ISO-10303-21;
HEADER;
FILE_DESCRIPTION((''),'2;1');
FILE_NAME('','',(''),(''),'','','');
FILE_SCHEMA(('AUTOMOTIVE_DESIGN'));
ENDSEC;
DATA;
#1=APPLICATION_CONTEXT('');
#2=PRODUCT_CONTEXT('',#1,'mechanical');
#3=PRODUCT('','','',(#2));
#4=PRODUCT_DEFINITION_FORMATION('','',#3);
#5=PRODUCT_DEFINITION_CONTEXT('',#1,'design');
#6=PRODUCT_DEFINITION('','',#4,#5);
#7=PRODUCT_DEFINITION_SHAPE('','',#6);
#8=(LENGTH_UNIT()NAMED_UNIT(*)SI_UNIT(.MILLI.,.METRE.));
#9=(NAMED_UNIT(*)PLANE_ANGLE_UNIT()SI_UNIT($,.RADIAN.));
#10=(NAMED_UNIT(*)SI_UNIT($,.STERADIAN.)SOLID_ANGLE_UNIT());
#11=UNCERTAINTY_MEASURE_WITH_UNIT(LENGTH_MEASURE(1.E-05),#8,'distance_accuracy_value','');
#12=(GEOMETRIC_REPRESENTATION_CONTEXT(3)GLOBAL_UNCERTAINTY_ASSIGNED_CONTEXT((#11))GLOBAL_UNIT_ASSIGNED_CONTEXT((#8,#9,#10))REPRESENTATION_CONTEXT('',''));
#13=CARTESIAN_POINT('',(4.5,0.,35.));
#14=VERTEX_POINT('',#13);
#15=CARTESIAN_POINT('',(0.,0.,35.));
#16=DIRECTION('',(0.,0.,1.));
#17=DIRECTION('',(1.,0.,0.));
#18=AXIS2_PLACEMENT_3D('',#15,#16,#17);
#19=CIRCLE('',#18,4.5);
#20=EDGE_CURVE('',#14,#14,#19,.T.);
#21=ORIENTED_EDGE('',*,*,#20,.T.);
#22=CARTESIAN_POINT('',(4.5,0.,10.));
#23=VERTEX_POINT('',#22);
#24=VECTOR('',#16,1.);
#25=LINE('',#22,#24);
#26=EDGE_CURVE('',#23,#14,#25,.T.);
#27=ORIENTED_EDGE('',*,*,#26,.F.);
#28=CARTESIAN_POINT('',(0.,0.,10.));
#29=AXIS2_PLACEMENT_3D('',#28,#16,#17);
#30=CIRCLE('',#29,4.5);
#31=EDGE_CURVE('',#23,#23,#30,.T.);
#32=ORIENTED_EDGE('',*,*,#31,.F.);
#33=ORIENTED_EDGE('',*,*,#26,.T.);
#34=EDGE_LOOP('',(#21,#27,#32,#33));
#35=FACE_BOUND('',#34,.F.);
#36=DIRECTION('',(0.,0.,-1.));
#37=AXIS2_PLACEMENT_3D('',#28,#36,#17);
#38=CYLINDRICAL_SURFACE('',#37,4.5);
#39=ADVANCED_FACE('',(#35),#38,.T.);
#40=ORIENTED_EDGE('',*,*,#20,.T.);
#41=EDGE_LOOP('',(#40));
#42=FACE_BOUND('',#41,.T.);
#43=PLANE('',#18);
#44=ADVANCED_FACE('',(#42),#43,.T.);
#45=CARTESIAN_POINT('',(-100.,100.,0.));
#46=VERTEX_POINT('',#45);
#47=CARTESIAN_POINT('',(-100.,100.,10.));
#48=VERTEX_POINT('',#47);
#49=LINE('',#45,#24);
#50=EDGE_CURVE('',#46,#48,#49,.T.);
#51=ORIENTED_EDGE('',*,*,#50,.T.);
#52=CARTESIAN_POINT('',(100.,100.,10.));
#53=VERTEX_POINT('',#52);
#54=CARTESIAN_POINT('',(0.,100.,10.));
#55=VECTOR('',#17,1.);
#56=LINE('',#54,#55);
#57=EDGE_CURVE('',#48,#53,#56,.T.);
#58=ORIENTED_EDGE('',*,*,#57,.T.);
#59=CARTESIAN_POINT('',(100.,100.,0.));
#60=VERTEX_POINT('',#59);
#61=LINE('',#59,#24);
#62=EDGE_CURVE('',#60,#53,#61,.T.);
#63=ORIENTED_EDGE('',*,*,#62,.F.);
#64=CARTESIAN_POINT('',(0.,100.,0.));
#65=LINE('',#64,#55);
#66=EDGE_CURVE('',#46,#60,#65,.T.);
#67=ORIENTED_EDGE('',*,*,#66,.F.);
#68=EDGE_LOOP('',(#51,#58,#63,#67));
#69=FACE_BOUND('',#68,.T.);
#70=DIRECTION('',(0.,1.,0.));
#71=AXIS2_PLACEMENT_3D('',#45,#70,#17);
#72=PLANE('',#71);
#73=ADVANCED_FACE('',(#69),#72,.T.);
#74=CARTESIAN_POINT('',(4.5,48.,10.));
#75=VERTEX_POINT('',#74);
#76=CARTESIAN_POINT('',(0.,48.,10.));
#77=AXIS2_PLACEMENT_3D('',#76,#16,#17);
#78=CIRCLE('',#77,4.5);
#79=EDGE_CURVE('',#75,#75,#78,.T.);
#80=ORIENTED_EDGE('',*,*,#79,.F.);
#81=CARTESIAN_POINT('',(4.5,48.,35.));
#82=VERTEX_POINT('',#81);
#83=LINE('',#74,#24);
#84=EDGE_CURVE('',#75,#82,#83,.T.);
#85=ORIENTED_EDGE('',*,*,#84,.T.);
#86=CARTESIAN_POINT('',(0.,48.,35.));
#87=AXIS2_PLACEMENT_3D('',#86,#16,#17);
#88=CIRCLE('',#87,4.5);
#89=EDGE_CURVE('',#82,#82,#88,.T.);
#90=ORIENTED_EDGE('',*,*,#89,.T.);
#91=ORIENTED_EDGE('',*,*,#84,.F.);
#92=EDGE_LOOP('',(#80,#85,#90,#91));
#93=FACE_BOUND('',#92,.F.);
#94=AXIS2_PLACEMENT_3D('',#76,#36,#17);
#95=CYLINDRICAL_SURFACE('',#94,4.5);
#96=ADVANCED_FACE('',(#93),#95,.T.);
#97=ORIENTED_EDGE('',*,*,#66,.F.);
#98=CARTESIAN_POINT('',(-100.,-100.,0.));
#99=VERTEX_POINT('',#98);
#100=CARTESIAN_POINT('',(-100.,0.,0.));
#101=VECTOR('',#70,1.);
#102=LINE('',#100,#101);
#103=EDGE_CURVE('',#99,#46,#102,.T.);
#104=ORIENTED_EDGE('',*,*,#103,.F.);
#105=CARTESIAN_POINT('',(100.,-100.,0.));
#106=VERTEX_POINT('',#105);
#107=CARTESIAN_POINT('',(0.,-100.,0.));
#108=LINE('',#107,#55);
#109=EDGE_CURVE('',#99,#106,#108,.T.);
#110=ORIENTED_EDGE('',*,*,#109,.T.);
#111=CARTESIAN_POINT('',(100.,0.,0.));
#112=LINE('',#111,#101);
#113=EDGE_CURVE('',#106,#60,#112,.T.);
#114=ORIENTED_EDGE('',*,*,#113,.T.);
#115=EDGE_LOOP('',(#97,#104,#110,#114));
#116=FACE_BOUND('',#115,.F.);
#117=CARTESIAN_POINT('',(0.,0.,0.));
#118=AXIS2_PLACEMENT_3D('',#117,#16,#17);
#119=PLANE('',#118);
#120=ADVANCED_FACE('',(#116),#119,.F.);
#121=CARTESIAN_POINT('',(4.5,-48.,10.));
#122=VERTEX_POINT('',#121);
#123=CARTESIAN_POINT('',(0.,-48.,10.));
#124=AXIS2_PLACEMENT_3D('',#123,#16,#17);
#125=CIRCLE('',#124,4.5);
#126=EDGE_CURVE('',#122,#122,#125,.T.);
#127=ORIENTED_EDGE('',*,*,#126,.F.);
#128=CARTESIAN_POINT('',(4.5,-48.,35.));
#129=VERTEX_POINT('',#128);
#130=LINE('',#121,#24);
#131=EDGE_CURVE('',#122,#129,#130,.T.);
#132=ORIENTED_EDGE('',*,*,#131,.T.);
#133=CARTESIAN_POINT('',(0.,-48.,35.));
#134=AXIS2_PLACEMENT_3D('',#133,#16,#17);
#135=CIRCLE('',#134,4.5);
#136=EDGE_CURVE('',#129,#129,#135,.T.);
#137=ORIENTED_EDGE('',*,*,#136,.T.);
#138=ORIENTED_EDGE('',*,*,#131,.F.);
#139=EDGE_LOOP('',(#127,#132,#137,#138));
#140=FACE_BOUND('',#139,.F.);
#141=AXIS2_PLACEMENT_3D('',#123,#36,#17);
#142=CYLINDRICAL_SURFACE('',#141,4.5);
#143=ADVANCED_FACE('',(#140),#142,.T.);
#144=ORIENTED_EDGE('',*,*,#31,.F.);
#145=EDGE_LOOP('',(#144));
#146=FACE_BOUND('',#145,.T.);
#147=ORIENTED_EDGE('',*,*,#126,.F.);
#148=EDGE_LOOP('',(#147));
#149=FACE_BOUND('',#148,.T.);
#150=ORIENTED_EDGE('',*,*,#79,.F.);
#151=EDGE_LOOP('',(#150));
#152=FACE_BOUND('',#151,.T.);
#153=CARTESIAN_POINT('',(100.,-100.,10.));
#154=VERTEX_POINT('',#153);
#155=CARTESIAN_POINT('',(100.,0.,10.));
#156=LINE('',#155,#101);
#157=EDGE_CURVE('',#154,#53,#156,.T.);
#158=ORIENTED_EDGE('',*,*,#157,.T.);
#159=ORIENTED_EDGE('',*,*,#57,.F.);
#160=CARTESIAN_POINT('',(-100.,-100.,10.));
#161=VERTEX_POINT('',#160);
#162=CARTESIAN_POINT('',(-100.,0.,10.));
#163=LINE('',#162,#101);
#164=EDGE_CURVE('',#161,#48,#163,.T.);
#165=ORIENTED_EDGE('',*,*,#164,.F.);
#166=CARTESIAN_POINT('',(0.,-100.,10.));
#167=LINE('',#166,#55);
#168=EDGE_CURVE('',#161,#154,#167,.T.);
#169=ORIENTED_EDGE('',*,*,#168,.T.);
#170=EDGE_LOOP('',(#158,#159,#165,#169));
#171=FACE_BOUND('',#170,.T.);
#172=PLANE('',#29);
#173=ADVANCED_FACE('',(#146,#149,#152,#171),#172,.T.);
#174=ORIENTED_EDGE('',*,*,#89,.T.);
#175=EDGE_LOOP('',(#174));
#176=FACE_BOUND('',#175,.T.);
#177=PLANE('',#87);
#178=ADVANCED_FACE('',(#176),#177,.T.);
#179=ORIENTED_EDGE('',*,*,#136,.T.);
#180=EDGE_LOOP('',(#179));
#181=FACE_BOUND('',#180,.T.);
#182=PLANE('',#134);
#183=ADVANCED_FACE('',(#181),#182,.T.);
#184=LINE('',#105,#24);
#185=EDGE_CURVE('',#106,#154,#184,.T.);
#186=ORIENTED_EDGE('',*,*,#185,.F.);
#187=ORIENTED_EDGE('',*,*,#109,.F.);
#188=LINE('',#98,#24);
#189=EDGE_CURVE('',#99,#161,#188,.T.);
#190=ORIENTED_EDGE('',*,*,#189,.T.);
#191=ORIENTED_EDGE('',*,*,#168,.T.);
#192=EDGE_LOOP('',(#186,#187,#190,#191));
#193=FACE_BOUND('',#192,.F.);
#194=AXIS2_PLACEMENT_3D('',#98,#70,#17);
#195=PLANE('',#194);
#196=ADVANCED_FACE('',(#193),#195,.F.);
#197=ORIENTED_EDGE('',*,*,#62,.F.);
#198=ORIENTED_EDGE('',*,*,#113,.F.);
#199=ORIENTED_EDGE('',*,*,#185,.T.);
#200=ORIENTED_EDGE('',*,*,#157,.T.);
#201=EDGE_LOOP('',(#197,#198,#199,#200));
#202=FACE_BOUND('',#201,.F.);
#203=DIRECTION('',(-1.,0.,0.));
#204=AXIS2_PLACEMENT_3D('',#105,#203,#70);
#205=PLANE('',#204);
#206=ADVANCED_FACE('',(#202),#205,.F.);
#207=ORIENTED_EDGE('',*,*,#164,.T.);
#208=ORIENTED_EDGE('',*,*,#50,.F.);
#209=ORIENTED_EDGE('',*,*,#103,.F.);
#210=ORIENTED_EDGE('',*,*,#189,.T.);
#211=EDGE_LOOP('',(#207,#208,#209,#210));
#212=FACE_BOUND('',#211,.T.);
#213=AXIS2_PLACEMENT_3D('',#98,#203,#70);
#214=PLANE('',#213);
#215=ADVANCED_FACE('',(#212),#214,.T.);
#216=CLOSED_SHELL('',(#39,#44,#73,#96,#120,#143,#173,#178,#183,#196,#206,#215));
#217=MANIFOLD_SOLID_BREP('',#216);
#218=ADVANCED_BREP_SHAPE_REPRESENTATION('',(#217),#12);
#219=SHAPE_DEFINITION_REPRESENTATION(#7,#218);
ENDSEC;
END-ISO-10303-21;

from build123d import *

# Parameters (mm, degrees)
F0_W     = 200
F0_H     = 200
F1_DEPTH = 10
F2_R     = 4.5
F3_DEPTH = 25


with BuildPart() as f1:
    # F0 (on Top) → F1 (new body)
    with BuildSketch(Plane.XY):
        Rectangle(F0_W, F0_H)
    extrude(amount=F1_DEPTH)

    # F2 (on face) → F3 (join)
    with BuildSketch(Plane.XY.offset(10)):
        with Locations((0, 48)):
            Circle(F2_R)
        with Locations((0, -48)):
            Circle(F2_R)
        Circle(F2_R)
    extrude(amount=F3_DEPTH)


solid = f1.part
